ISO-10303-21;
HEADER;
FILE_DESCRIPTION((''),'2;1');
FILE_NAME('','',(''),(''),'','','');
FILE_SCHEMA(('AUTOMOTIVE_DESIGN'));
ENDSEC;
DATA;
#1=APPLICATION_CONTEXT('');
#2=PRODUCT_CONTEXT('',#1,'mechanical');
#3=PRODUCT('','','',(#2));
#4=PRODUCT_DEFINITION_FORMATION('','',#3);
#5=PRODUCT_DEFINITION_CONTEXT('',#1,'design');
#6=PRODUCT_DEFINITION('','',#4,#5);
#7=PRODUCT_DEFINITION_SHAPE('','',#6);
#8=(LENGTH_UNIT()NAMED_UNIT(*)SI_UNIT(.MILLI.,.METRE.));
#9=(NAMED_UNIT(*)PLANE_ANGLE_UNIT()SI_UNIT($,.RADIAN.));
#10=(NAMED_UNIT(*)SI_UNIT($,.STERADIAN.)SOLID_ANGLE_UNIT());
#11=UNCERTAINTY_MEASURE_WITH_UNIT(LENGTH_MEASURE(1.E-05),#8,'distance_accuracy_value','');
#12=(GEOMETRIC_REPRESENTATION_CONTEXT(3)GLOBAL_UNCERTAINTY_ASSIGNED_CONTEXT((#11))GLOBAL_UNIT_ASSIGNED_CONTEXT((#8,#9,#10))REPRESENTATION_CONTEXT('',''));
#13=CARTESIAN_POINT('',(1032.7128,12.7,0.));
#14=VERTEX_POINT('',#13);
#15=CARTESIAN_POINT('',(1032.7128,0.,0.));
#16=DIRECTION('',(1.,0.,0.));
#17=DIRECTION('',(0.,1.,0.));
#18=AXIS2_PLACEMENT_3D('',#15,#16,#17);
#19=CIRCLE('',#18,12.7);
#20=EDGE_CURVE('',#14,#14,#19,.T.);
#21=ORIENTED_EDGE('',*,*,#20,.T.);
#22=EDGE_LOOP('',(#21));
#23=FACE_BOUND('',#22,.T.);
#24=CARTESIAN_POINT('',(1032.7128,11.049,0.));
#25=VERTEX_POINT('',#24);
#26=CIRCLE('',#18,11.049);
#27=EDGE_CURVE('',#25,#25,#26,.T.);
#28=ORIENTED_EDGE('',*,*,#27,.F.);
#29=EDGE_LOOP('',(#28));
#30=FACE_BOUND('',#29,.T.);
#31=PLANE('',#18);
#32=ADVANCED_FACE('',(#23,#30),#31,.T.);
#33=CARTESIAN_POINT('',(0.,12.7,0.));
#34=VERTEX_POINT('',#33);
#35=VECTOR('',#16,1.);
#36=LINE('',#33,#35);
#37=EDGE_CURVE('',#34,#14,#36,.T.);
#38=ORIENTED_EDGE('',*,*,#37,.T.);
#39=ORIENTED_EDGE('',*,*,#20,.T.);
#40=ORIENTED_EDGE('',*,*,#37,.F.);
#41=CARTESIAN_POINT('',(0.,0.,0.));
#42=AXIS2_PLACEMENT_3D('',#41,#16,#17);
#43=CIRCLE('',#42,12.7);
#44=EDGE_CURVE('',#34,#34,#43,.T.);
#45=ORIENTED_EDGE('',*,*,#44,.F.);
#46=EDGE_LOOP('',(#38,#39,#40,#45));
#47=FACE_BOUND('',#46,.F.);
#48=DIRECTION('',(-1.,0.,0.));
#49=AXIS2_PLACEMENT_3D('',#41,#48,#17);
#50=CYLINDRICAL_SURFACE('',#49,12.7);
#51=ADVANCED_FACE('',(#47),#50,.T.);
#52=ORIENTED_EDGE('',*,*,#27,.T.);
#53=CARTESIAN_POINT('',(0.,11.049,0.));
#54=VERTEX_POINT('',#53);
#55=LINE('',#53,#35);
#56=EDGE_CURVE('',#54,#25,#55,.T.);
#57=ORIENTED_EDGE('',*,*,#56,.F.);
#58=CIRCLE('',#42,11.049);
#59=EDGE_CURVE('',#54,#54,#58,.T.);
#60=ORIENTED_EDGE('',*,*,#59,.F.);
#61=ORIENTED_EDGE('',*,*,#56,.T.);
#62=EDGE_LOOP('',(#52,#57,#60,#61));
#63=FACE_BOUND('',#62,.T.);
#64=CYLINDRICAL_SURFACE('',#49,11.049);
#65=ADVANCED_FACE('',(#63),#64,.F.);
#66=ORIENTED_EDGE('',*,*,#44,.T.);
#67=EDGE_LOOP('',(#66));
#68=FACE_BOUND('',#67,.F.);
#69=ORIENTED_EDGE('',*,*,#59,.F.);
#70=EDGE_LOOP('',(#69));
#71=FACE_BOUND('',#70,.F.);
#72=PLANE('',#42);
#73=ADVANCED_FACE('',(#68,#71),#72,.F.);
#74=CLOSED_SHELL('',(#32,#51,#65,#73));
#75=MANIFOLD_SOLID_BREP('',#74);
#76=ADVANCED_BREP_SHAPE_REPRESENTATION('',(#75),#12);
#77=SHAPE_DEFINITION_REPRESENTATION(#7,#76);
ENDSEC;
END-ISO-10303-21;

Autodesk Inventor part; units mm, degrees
ref_plane "XZ Plane" through (0, 0, 0) normal (0, 1, 0) x (-1, 0, 0)
ref_plane "Start Plane" through (0, 0, 0) normal (1, 0, 0) x (0, 1, 0)
ref_plane "End Plane" through (1032.7128, 0, 0) normal (1, 0, 0) x (0, 1, 0)
sketch "Sketch" plane through (0, 0, 0) normal (1, 0, 0) x (0, 1, 0)
  circle A0 centre (0, 0) radius 12.7
  circle A1 centre (0, 0) radius 11.049
  dimension "d0" = 25.4
  dimension "d1" = 1.651
extrude "Body" add sketch "Sketch" along normal up to surface (1032.7128 mm away) from surface at 0
sketch "Sketch2" plane through (0, 0, 0) normal (1, 0, 0) x (0, 1, 0)
  line L0 (0, 0) -> (10, 0)
ref_plane "Work Plane3" through (0, 0, 0) normal (0, 0, -1) x (0, 1, 0)
sketch "Sketch3" plane through (0, 0, 0) normal (0, 0, -1) x (0, 1, 0)
  line L0 (-2, 0) -> (12, 0)
  line L1 (-2, 1032.7128) -> (12, 1032.7128)
  dimension "d9" = 1032.7128
equation "\"G_OFFSET_START\" = 0"
equation "\"G_OFFSET_END\" = 0"
equation "\"d5\" = d2 + G_OFFSET_END"
equation "\"G_L\" = d9"
equation "\"d2\" = 1032.712844"
properties part number "4130_1x0.065" material "Steel, Alloy"
